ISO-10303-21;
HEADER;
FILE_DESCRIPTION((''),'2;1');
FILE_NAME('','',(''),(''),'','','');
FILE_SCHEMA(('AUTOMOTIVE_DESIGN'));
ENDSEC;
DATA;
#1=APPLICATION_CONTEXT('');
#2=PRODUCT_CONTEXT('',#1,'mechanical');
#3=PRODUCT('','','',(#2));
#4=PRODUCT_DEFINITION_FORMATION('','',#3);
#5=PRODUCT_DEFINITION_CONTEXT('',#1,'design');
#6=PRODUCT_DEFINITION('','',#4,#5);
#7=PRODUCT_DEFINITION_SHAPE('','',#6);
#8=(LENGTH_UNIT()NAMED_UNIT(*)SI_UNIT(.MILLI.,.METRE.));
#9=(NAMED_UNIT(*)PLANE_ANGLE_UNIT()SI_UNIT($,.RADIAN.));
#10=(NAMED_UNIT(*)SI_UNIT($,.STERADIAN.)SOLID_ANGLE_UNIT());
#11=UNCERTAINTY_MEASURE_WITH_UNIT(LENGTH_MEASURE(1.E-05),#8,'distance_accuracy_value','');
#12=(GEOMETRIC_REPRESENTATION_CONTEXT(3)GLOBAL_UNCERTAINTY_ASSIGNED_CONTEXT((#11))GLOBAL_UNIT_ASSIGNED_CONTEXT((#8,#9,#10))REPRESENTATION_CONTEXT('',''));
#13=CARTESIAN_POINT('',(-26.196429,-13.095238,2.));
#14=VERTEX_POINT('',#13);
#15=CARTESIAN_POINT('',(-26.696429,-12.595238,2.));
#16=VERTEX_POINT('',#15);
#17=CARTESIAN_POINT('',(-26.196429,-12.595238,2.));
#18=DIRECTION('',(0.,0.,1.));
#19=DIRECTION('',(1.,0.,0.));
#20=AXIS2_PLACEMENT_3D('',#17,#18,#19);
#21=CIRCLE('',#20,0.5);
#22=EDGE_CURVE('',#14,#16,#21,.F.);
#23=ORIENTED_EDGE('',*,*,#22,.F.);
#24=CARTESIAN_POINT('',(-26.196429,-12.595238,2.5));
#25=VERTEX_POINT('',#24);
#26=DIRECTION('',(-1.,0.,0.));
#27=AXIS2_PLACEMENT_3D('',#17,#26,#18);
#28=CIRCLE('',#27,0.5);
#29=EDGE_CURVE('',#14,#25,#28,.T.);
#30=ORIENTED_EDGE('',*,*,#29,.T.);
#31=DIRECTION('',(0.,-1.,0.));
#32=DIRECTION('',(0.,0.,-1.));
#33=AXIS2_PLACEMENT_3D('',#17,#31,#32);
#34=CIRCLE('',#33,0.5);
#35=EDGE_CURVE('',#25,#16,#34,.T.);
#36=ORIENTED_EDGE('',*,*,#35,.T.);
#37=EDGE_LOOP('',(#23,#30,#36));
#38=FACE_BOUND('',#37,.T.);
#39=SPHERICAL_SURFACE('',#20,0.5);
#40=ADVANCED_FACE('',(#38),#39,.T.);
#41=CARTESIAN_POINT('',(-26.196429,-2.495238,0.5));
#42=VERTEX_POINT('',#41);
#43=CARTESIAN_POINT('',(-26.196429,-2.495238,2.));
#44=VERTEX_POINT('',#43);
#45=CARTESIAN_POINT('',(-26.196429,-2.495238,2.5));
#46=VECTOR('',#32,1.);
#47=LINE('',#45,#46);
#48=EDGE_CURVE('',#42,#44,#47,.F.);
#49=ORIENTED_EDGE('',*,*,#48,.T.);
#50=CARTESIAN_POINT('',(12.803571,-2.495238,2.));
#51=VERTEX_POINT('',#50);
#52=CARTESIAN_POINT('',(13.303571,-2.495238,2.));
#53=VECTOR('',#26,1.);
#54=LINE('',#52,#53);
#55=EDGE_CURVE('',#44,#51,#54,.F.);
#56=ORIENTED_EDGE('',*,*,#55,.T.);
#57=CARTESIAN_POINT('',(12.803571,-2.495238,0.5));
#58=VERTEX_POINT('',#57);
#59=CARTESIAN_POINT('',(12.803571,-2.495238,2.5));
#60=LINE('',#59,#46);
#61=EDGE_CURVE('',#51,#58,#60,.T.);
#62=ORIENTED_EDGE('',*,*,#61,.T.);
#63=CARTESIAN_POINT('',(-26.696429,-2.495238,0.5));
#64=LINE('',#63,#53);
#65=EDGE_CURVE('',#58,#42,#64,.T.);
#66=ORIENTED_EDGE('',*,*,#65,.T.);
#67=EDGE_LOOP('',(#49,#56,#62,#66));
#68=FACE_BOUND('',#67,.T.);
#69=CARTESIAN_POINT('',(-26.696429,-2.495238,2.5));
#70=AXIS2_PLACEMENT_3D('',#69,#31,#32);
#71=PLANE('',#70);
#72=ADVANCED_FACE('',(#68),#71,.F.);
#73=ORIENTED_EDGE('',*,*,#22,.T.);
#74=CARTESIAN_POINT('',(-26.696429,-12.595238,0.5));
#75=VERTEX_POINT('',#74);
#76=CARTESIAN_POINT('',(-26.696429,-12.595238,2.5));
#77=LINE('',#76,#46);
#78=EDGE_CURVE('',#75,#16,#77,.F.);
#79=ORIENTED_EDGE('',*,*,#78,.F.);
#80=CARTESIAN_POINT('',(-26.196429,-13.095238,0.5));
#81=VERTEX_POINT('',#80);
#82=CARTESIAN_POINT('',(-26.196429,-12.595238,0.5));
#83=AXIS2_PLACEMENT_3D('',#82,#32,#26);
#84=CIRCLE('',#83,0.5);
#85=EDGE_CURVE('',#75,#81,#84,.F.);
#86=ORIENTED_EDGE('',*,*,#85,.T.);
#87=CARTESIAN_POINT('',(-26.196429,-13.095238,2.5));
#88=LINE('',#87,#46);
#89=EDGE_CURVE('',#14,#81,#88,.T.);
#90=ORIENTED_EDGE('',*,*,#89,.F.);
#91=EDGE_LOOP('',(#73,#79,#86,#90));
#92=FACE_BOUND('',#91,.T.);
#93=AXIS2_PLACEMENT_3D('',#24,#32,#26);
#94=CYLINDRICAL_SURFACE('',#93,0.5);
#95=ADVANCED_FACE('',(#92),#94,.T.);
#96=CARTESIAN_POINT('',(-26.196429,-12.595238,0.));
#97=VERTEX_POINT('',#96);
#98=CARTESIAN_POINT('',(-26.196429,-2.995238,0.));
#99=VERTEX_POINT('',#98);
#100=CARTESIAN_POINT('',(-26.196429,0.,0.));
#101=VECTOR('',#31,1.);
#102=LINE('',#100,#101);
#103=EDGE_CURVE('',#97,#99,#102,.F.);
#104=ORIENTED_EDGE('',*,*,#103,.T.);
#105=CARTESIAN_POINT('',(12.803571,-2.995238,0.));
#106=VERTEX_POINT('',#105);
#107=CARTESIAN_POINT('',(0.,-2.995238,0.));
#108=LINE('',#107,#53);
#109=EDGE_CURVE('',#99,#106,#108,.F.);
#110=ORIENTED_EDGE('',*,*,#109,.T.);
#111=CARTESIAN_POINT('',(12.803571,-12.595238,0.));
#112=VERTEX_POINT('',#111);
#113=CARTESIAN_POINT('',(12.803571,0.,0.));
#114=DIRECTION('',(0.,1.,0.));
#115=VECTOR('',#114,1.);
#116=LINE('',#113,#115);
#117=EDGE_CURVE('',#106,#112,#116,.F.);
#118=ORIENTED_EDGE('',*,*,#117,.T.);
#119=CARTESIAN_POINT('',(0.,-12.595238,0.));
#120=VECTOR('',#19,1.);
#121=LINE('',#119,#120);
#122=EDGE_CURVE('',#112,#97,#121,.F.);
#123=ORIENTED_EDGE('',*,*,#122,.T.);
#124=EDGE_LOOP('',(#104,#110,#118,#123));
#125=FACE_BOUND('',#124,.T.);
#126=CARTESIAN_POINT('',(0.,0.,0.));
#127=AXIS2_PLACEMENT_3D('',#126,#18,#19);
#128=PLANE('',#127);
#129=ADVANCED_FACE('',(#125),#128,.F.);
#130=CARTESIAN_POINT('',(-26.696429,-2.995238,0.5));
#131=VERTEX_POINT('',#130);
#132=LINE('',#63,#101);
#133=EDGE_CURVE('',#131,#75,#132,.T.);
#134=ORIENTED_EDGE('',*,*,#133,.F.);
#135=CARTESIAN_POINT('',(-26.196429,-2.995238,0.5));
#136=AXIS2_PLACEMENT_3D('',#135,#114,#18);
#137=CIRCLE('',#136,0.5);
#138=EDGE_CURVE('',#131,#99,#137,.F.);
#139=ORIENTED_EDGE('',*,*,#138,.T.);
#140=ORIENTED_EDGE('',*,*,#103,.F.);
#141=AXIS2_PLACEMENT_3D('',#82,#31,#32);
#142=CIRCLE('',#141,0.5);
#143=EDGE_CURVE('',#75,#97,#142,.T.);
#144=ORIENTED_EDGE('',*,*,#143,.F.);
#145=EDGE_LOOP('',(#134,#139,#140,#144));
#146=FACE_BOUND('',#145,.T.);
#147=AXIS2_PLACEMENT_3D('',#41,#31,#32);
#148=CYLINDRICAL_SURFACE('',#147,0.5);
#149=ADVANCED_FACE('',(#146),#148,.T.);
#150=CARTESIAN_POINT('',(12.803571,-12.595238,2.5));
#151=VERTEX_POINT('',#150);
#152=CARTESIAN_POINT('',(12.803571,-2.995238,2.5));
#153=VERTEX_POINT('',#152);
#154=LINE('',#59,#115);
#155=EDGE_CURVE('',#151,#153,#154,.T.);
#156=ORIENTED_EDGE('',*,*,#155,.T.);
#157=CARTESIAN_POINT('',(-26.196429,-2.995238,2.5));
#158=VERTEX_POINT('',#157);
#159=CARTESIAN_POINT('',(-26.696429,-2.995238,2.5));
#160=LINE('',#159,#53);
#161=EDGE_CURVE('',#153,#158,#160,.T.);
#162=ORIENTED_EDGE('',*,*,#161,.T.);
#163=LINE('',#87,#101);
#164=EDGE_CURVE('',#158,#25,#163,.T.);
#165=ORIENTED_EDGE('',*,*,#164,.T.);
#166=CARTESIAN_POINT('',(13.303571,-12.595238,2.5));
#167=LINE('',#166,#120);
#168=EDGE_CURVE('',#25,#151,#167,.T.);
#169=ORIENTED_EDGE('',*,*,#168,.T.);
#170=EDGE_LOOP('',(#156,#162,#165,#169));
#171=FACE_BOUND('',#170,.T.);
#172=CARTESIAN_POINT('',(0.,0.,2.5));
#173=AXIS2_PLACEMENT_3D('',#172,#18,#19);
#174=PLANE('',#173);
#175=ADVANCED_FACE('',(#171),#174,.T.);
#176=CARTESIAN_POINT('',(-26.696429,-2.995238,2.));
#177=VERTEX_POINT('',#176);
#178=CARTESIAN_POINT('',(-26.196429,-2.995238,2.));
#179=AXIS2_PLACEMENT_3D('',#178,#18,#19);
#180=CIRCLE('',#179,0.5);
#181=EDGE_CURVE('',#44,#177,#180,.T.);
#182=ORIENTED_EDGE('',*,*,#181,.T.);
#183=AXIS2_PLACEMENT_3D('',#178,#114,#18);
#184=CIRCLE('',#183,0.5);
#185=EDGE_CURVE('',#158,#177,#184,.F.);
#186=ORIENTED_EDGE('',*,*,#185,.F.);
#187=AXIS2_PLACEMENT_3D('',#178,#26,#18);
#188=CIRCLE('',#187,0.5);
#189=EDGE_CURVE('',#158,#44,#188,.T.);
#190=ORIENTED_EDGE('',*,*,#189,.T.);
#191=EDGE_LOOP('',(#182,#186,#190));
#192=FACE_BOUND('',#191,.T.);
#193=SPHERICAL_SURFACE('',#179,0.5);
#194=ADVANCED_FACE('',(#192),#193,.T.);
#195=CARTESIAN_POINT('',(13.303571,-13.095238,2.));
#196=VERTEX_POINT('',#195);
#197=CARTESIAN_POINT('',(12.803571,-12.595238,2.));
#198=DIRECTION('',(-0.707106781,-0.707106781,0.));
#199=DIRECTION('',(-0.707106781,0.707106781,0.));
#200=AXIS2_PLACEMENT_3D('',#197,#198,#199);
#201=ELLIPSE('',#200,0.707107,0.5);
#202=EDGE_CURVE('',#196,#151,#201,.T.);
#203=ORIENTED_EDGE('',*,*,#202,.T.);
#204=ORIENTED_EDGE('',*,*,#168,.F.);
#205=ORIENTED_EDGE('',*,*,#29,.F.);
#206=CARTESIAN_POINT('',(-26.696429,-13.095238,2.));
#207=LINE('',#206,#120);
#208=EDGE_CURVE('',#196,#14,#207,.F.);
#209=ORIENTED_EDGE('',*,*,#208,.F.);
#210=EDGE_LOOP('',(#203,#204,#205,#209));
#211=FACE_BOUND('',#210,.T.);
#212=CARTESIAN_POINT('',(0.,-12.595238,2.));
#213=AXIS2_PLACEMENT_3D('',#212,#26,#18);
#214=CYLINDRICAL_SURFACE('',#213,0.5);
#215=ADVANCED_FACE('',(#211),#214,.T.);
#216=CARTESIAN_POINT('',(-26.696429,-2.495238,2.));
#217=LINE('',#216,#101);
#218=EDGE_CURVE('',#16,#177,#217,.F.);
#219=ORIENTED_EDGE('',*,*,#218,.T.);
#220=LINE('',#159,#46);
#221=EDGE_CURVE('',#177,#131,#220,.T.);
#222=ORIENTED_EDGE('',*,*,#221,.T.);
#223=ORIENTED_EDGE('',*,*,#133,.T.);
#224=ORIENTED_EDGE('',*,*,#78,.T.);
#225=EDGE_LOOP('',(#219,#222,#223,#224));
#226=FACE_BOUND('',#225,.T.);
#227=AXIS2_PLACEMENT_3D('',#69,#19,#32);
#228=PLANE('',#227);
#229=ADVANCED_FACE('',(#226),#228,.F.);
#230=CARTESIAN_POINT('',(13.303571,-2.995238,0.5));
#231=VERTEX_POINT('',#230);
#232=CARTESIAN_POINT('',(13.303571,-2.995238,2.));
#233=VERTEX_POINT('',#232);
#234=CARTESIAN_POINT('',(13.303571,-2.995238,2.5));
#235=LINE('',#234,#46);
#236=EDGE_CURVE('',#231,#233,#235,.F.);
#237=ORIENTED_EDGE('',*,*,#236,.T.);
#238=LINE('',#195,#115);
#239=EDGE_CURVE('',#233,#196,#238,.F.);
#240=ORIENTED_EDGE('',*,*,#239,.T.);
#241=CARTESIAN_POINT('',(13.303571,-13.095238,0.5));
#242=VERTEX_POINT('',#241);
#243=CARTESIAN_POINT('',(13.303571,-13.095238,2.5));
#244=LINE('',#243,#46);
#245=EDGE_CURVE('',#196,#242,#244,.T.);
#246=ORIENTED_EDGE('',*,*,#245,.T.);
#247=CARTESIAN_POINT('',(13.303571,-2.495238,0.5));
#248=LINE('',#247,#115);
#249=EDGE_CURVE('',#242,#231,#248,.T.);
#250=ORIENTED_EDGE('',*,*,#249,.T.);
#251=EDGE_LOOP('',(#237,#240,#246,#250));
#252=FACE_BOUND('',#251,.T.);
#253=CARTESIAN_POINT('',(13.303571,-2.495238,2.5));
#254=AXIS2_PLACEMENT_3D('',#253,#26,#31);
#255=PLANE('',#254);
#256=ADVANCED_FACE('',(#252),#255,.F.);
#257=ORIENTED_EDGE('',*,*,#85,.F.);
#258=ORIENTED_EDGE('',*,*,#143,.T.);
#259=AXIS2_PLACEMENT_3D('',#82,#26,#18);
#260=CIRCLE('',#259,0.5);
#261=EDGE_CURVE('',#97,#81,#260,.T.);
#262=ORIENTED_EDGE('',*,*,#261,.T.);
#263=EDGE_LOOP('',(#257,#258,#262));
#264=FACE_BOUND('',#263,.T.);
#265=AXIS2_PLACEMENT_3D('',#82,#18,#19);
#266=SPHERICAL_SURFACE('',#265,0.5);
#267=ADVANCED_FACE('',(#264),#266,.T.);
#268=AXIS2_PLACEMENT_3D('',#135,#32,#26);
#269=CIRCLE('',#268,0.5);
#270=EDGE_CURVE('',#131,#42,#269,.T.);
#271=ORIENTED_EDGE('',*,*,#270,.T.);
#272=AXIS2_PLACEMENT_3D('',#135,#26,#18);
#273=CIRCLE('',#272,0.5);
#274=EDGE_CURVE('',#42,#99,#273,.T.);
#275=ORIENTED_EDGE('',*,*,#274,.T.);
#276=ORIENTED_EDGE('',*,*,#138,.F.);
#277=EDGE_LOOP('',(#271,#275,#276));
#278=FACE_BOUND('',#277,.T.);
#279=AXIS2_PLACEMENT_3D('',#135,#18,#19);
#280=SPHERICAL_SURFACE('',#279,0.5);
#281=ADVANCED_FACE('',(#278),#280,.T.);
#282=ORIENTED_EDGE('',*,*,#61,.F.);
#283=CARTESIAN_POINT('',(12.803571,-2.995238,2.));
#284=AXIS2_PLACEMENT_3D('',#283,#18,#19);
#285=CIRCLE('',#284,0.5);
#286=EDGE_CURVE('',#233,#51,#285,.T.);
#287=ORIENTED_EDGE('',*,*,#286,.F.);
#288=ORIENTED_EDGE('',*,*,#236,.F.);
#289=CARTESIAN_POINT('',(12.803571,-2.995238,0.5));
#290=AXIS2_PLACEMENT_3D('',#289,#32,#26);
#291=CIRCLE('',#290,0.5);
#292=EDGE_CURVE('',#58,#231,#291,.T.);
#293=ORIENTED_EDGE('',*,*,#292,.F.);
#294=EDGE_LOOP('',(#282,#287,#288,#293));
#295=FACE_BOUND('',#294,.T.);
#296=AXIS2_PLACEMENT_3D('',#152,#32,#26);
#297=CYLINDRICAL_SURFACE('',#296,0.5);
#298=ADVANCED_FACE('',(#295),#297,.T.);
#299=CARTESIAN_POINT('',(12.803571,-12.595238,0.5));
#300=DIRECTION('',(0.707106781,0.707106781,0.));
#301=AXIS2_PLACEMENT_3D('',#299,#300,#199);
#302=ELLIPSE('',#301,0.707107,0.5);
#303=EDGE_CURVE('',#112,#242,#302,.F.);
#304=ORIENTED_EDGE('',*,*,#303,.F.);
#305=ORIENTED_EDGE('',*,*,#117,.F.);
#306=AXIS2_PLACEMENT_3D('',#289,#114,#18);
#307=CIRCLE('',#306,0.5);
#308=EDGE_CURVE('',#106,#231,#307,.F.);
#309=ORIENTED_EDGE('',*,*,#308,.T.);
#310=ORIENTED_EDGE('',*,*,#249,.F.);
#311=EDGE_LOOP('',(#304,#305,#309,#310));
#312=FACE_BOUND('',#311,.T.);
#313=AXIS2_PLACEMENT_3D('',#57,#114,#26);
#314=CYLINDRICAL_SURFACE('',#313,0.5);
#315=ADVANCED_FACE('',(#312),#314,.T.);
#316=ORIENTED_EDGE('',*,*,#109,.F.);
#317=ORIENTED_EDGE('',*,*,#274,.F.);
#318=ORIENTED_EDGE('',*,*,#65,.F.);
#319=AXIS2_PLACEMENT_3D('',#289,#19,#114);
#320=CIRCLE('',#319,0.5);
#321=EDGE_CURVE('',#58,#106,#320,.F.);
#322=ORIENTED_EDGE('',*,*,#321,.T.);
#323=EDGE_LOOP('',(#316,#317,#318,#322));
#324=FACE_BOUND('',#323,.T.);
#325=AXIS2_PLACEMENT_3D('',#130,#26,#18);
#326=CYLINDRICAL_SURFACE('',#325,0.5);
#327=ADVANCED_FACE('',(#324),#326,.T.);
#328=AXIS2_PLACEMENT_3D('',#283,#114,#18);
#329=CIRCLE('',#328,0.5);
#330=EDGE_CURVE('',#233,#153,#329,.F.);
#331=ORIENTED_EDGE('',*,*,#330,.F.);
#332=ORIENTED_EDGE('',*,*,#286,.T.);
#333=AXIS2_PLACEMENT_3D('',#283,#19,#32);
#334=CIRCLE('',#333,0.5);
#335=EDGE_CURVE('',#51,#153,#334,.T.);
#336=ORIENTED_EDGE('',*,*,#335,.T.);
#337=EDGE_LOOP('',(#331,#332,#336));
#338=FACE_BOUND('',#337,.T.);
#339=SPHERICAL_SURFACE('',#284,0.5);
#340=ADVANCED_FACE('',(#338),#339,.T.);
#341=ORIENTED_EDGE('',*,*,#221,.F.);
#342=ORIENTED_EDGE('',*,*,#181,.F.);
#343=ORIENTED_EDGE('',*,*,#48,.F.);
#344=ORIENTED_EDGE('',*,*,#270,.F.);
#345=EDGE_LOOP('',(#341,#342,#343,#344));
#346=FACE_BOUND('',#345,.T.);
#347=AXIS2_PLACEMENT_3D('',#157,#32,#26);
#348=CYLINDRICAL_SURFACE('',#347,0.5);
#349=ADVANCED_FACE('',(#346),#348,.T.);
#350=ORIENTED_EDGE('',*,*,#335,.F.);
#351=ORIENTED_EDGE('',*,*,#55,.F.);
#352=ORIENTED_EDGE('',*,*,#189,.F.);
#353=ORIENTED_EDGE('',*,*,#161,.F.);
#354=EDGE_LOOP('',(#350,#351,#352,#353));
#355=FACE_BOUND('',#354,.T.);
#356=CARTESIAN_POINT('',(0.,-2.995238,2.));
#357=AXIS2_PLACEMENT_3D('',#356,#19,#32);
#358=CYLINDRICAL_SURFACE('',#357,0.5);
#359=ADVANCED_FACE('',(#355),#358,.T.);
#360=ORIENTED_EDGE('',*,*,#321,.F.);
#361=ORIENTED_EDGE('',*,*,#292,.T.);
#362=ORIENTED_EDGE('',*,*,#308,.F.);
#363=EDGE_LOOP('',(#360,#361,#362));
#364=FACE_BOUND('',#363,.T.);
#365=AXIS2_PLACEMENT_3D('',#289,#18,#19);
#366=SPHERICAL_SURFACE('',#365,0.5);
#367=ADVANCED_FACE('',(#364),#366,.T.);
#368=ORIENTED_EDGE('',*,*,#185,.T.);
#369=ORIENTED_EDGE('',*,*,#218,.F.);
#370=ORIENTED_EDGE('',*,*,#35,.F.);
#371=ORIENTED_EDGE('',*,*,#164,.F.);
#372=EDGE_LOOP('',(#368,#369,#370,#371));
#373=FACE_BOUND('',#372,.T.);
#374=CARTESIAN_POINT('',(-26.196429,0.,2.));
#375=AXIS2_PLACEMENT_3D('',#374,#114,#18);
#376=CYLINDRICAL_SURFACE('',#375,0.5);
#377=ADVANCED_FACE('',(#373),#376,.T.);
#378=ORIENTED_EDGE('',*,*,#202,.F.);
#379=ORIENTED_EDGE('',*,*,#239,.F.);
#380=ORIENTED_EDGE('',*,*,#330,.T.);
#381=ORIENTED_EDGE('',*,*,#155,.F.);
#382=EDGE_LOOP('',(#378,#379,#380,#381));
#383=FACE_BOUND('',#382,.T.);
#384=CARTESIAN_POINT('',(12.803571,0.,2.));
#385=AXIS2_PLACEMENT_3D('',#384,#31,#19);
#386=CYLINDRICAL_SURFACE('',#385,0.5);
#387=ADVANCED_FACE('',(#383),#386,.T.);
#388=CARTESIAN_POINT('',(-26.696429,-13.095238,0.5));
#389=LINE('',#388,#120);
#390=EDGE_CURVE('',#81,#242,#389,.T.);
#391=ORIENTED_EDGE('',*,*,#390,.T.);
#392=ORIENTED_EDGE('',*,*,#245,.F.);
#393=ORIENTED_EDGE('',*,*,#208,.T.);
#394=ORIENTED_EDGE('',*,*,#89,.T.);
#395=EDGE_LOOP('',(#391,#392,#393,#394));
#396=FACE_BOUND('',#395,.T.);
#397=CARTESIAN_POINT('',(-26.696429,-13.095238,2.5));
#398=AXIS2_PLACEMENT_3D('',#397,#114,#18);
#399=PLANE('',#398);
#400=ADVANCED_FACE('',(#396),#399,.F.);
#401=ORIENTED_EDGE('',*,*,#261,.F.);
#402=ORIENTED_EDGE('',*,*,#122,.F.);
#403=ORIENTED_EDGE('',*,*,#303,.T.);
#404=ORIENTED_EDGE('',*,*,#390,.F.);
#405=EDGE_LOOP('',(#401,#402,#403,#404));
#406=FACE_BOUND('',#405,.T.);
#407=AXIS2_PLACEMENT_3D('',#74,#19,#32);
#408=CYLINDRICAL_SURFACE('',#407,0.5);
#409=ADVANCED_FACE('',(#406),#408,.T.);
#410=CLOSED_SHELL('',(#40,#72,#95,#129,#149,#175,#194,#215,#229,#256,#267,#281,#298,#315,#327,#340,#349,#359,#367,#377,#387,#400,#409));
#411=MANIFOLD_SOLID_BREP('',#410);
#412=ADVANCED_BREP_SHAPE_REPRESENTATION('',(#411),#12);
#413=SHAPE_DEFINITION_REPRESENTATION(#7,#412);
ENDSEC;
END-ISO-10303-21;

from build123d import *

# Parameters (mm, degrees)
SKETCH1_W           = 40
SKETCH1_H           = 10.6
BOSS_EXTRUDE1_DEPTH = 2.5
FILLET1_R           = 0.5


with BuildPart() as part:
    # Sketch1 → Boss-Extrude1 (new body)
    with BuildSketch(Plane.XY):
        with Locations((-6.696428571, -7.795238095)):
            Rectangle(SKETCH1_W, SKETCH1_H)
    extrude(amount=BOSS_EXTRUDE1_DEPTH)

    # Fillet1
    fillet1_edges = [part.edges().sort_by_distance(p)[0] for p in [
        (13.303571429, -7.795238095, 2.5),
        (-6.696428571, -2.495238095, 2.5),
        (-26.696428571, -7.795238095, 2.5),
        (-6.696428571, -2.495238095, 0),
        (13.303571429, -7.795238095, 0),
        (-6.696428571, -13.095238095, 0),
        (-26.696428571, -7.795238095, 0),
        (-6.696428571, -13.095238095, 2.5),
        (-26.696428571, -2.495238095, 1.25),
        (13.303571429, -2.495238095, 1.25),
        (-26.696428571, -13.095238095, 1.25),
    ]]
    fillet(fillet1_edges, radius=FILLET1_R)


solid = part.part
